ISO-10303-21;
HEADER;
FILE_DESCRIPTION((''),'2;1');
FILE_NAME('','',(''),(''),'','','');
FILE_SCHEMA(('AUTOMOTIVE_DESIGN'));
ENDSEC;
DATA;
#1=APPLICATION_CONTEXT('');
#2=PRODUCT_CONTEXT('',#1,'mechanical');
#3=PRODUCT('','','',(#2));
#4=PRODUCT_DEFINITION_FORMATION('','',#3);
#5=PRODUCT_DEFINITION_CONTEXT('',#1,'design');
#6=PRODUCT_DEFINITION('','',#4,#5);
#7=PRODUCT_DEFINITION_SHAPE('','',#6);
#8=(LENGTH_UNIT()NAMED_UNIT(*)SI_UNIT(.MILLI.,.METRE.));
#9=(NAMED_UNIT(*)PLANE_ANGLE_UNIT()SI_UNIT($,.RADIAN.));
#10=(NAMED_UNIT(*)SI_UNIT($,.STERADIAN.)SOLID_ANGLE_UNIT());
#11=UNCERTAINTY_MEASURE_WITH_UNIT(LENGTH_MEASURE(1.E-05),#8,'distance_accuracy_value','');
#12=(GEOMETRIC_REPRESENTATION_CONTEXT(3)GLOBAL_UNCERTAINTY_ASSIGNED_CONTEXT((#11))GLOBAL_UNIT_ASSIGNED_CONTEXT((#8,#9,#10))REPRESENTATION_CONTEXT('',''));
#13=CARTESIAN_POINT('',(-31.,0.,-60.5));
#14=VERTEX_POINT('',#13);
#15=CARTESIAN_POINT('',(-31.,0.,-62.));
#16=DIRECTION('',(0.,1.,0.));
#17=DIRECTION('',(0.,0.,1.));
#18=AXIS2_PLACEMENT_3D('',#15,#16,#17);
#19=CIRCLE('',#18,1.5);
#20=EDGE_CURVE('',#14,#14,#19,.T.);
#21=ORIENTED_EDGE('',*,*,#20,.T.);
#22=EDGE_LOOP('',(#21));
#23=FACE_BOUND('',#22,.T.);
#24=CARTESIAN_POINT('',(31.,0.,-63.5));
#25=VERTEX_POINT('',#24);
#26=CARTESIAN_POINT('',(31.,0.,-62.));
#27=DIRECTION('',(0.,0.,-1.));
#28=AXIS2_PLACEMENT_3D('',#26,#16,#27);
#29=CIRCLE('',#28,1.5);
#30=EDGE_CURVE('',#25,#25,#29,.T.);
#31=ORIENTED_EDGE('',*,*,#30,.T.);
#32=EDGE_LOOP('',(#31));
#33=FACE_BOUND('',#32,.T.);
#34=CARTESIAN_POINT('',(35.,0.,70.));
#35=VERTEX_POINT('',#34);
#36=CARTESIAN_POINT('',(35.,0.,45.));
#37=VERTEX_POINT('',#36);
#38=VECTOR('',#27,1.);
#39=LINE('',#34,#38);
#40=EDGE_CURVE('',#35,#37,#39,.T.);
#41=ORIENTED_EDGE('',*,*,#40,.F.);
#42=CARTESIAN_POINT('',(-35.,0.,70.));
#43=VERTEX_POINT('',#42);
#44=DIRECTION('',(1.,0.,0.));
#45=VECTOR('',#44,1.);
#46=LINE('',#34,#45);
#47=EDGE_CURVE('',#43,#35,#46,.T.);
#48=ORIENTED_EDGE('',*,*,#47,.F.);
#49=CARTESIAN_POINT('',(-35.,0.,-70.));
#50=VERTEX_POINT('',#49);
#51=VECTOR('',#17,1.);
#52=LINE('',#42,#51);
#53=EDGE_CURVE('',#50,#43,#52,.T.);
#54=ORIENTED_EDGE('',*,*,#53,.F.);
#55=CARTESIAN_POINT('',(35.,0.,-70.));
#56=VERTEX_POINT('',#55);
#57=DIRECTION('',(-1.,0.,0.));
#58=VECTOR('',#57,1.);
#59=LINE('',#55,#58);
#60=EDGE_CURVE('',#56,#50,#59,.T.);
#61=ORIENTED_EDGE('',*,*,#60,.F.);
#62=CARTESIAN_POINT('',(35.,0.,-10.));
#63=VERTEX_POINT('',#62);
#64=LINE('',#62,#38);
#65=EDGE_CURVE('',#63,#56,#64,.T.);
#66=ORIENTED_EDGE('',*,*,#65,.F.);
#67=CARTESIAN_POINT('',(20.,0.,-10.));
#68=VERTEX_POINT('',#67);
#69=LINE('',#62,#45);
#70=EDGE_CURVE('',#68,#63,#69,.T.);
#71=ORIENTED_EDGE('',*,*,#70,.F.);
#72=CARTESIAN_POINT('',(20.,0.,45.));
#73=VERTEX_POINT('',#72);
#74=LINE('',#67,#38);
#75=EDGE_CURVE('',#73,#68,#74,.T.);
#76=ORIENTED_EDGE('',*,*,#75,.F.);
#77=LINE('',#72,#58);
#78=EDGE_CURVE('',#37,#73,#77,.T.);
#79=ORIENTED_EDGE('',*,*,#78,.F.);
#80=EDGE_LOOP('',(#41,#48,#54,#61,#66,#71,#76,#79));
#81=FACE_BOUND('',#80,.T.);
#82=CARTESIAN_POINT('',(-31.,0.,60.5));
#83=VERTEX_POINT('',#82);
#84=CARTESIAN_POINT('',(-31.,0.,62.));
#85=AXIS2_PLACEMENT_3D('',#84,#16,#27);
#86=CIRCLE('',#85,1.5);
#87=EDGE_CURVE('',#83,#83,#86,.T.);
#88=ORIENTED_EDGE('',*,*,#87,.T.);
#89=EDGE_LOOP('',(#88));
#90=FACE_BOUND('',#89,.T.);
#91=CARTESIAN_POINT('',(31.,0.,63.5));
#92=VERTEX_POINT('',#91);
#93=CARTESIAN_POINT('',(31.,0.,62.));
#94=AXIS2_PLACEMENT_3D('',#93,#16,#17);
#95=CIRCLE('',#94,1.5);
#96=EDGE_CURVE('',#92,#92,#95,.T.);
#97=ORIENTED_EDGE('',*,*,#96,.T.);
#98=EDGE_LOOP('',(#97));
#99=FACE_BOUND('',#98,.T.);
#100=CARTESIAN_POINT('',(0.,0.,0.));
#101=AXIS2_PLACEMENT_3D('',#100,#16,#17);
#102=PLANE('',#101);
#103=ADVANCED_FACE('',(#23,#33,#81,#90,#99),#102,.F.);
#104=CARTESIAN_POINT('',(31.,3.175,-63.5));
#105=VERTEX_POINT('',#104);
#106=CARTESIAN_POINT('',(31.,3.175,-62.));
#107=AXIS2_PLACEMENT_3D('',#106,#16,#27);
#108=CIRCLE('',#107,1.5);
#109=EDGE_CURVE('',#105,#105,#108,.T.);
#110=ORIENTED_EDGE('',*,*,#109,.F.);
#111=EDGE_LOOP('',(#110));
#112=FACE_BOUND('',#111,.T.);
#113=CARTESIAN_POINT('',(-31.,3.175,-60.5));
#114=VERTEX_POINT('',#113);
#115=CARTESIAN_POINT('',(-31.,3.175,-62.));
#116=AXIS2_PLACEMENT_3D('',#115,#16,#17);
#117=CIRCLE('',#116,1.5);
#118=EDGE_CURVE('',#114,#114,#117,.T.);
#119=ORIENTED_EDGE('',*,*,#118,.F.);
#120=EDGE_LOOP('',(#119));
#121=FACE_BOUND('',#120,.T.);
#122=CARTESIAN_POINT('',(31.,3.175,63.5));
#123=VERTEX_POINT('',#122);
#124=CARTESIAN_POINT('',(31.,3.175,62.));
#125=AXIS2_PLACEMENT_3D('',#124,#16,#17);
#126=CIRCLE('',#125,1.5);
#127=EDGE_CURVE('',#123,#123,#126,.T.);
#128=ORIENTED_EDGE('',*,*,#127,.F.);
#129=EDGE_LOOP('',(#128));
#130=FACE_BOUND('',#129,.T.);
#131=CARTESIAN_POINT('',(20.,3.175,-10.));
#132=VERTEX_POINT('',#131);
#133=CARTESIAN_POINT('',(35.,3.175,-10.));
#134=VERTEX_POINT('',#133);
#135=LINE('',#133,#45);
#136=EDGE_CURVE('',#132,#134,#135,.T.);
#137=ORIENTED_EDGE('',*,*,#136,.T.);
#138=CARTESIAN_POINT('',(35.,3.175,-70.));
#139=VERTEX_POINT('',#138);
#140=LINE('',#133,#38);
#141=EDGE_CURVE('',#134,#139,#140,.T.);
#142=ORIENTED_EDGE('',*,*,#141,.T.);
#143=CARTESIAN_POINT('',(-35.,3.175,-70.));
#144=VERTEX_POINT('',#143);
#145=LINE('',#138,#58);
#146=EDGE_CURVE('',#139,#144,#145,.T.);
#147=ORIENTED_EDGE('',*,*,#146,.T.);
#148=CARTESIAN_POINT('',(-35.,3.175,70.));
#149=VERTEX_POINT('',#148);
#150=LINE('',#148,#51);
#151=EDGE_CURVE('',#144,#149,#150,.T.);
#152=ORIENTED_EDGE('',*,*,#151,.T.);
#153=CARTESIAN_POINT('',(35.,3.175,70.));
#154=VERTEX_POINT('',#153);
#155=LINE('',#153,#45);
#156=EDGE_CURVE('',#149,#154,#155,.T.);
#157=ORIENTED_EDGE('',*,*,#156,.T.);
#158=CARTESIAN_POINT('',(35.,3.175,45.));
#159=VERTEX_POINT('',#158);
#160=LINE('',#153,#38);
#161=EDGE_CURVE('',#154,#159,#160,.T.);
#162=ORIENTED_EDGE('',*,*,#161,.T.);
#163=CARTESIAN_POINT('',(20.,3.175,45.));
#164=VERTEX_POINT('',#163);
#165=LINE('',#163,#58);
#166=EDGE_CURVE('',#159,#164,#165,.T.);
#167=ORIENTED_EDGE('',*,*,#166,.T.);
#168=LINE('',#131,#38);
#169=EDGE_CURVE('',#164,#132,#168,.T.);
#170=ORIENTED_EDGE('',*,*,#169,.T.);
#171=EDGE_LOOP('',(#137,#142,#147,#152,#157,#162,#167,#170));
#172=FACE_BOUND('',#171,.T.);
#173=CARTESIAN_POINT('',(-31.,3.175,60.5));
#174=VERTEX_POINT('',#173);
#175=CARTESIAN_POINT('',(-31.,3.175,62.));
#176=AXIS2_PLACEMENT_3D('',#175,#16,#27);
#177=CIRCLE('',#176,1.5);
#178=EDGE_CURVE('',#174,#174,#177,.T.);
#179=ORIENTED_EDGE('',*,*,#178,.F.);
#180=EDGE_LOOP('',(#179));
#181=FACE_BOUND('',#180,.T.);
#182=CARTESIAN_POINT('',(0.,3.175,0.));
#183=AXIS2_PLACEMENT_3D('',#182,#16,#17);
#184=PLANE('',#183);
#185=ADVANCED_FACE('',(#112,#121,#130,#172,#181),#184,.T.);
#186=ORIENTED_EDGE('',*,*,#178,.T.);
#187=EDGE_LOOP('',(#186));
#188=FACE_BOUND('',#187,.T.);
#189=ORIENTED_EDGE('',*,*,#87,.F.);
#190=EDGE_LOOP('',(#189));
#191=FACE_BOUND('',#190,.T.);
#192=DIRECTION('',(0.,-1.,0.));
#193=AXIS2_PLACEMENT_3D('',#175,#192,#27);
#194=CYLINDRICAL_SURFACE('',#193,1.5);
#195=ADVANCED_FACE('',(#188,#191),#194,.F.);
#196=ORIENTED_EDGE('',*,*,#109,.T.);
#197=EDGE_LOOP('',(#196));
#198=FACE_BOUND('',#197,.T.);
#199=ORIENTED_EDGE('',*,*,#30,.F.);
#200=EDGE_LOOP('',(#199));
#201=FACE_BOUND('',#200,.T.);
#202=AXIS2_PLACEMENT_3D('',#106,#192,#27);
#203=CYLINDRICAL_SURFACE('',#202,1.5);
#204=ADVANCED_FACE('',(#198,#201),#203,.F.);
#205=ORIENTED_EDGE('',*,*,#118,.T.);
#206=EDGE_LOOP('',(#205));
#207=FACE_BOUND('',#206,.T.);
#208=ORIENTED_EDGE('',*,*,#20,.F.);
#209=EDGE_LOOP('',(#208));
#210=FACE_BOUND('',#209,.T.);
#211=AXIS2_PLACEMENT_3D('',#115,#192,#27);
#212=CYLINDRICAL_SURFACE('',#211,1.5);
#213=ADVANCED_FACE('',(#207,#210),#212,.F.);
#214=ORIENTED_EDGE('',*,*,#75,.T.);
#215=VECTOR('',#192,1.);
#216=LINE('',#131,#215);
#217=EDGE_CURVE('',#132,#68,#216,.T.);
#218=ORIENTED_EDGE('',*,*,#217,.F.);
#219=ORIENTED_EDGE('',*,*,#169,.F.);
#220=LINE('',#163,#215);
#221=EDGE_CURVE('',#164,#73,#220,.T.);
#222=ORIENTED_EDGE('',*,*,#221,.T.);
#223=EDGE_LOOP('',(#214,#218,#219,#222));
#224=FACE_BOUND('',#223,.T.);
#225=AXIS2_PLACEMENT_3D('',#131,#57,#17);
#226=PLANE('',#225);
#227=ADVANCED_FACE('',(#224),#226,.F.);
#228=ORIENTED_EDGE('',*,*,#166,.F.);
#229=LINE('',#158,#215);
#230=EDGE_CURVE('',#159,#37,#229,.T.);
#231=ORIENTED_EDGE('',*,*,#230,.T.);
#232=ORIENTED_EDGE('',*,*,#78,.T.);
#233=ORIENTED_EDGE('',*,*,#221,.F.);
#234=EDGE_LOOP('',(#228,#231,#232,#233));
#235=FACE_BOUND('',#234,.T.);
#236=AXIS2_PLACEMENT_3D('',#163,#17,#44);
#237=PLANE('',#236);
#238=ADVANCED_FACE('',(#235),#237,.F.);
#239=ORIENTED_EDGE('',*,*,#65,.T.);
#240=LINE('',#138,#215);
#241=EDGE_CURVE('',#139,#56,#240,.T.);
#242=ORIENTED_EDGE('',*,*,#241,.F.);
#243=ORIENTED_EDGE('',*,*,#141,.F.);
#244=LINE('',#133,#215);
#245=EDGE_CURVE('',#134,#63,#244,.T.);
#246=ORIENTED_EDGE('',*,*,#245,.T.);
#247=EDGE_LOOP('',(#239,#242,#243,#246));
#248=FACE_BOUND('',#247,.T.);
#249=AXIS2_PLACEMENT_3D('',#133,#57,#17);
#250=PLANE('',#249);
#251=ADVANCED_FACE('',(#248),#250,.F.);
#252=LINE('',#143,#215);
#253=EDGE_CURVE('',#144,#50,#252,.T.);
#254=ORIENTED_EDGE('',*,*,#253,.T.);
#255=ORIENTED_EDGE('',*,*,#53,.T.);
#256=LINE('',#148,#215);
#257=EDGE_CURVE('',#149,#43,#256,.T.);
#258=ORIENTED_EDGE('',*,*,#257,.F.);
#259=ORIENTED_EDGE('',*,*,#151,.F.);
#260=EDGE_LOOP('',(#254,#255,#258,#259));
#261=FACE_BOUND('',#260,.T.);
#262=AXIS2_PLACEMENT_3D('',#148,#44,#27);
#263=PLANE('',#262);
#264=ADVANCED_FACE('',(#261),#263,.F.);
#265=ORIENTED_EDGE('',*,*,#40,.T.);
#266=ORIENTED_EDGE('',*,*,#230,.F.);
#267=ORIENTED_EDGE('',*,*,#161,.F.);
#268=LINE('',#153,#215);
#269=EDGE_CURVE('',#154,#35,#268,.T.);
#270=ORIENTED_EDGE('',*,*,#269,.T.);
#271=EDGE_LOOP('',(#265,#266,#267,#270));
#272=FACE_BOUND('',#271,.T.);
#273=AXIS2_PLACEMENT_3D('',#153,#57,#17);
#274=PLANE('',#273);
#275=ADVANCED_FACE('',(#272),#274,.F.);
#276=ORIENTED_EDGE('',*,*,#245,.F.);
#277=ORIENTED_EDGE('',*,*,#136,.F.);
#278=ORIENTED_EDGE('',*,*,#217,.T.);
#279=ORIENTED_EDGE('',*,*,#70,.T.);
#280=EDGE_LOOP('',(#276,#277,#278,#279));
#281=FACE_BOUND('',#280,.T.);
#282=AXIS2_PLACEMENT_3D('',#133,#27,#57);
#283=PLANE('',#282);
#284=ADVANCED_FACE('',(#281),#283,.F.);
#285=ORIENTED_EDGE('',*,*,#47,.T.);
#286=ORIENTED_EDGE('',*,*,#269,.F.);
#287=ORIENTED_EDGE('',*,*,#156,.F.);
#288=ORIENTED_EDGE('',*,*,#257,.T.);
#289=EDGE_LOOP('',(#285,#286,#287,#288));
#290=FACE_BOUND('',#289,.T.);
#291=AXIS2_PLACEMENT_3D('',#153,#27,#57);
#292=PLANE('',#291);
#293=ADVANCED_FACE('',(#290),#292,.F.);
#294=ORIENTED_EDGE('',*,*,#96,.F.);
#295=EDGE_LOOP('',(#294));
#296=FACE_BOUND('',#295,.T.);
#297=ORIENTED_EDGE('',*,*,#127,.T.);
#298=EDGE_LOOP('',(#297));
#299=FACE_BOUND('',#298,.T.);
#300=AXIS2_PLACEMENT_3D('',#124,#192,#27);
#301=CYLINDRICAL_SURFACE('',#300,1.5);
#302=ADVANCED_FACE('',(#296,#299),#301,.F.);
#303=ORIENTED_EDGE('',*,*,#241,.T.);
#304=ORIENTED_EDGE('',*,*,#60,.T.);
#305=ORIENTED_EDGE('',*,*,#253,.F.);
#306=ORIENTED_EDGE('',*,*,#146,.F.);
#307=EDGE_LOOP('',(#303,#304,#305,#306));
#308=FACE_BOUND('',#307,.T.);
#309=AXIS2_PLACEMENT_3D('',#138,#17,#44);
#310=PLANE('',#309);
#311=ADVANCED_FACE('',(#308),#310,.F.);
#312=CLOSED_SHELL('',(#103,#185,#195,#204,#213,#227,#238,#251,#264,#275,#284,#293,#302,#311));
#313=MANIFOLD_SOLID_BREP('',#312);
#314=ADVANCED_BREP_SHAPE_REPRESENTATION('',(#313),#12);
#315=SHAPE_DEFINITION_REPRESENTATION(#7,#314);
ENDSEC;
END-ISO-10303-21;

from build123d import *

# Parameters (mm, degrees)
SKETCH1_R           = 1.5
BOSS_EXTRUDE1_DEPTH = 3.175


with BuildPart() as part:
    # Sketch1 → Boss-Extrude1 (new body)
    with BuildSketch(Plane(origin=(0, 0, 0), x_dir=(1, 0, 0), z_dir=(0, 1, 0))):
        Polygon((35, 9.999999982), (20, 9.999999982), (20, -45), (35, -45), (35, -70), (-35, -70), (-35, 70), (35, 70), align=None)
        with Locations(Location((31, -62, 0), (0, 0, 270))):
            Circle(SKETCH1_R, mode=Mode.SUBTRACT)
        with Locations(Location((-31, -62, 0), (0, 0, 90))):
            Circle(SKETCH1_R, mode=Mode.SUBTRACT)
        with Locations(Location((-31, 62, 0), (0, 0, 270))):
            Circle(SKETCH1_R, mode=Mode.SUBTRACT)
        with Locations(Location((31, 62, 0), (0, 0, 90))):
            Circle(SKETCH1_R, mode=Mode.SUBTRACT)
    extrude(amount=BOSS_EXTRUDE1_DEPTH)


solid = part.part
